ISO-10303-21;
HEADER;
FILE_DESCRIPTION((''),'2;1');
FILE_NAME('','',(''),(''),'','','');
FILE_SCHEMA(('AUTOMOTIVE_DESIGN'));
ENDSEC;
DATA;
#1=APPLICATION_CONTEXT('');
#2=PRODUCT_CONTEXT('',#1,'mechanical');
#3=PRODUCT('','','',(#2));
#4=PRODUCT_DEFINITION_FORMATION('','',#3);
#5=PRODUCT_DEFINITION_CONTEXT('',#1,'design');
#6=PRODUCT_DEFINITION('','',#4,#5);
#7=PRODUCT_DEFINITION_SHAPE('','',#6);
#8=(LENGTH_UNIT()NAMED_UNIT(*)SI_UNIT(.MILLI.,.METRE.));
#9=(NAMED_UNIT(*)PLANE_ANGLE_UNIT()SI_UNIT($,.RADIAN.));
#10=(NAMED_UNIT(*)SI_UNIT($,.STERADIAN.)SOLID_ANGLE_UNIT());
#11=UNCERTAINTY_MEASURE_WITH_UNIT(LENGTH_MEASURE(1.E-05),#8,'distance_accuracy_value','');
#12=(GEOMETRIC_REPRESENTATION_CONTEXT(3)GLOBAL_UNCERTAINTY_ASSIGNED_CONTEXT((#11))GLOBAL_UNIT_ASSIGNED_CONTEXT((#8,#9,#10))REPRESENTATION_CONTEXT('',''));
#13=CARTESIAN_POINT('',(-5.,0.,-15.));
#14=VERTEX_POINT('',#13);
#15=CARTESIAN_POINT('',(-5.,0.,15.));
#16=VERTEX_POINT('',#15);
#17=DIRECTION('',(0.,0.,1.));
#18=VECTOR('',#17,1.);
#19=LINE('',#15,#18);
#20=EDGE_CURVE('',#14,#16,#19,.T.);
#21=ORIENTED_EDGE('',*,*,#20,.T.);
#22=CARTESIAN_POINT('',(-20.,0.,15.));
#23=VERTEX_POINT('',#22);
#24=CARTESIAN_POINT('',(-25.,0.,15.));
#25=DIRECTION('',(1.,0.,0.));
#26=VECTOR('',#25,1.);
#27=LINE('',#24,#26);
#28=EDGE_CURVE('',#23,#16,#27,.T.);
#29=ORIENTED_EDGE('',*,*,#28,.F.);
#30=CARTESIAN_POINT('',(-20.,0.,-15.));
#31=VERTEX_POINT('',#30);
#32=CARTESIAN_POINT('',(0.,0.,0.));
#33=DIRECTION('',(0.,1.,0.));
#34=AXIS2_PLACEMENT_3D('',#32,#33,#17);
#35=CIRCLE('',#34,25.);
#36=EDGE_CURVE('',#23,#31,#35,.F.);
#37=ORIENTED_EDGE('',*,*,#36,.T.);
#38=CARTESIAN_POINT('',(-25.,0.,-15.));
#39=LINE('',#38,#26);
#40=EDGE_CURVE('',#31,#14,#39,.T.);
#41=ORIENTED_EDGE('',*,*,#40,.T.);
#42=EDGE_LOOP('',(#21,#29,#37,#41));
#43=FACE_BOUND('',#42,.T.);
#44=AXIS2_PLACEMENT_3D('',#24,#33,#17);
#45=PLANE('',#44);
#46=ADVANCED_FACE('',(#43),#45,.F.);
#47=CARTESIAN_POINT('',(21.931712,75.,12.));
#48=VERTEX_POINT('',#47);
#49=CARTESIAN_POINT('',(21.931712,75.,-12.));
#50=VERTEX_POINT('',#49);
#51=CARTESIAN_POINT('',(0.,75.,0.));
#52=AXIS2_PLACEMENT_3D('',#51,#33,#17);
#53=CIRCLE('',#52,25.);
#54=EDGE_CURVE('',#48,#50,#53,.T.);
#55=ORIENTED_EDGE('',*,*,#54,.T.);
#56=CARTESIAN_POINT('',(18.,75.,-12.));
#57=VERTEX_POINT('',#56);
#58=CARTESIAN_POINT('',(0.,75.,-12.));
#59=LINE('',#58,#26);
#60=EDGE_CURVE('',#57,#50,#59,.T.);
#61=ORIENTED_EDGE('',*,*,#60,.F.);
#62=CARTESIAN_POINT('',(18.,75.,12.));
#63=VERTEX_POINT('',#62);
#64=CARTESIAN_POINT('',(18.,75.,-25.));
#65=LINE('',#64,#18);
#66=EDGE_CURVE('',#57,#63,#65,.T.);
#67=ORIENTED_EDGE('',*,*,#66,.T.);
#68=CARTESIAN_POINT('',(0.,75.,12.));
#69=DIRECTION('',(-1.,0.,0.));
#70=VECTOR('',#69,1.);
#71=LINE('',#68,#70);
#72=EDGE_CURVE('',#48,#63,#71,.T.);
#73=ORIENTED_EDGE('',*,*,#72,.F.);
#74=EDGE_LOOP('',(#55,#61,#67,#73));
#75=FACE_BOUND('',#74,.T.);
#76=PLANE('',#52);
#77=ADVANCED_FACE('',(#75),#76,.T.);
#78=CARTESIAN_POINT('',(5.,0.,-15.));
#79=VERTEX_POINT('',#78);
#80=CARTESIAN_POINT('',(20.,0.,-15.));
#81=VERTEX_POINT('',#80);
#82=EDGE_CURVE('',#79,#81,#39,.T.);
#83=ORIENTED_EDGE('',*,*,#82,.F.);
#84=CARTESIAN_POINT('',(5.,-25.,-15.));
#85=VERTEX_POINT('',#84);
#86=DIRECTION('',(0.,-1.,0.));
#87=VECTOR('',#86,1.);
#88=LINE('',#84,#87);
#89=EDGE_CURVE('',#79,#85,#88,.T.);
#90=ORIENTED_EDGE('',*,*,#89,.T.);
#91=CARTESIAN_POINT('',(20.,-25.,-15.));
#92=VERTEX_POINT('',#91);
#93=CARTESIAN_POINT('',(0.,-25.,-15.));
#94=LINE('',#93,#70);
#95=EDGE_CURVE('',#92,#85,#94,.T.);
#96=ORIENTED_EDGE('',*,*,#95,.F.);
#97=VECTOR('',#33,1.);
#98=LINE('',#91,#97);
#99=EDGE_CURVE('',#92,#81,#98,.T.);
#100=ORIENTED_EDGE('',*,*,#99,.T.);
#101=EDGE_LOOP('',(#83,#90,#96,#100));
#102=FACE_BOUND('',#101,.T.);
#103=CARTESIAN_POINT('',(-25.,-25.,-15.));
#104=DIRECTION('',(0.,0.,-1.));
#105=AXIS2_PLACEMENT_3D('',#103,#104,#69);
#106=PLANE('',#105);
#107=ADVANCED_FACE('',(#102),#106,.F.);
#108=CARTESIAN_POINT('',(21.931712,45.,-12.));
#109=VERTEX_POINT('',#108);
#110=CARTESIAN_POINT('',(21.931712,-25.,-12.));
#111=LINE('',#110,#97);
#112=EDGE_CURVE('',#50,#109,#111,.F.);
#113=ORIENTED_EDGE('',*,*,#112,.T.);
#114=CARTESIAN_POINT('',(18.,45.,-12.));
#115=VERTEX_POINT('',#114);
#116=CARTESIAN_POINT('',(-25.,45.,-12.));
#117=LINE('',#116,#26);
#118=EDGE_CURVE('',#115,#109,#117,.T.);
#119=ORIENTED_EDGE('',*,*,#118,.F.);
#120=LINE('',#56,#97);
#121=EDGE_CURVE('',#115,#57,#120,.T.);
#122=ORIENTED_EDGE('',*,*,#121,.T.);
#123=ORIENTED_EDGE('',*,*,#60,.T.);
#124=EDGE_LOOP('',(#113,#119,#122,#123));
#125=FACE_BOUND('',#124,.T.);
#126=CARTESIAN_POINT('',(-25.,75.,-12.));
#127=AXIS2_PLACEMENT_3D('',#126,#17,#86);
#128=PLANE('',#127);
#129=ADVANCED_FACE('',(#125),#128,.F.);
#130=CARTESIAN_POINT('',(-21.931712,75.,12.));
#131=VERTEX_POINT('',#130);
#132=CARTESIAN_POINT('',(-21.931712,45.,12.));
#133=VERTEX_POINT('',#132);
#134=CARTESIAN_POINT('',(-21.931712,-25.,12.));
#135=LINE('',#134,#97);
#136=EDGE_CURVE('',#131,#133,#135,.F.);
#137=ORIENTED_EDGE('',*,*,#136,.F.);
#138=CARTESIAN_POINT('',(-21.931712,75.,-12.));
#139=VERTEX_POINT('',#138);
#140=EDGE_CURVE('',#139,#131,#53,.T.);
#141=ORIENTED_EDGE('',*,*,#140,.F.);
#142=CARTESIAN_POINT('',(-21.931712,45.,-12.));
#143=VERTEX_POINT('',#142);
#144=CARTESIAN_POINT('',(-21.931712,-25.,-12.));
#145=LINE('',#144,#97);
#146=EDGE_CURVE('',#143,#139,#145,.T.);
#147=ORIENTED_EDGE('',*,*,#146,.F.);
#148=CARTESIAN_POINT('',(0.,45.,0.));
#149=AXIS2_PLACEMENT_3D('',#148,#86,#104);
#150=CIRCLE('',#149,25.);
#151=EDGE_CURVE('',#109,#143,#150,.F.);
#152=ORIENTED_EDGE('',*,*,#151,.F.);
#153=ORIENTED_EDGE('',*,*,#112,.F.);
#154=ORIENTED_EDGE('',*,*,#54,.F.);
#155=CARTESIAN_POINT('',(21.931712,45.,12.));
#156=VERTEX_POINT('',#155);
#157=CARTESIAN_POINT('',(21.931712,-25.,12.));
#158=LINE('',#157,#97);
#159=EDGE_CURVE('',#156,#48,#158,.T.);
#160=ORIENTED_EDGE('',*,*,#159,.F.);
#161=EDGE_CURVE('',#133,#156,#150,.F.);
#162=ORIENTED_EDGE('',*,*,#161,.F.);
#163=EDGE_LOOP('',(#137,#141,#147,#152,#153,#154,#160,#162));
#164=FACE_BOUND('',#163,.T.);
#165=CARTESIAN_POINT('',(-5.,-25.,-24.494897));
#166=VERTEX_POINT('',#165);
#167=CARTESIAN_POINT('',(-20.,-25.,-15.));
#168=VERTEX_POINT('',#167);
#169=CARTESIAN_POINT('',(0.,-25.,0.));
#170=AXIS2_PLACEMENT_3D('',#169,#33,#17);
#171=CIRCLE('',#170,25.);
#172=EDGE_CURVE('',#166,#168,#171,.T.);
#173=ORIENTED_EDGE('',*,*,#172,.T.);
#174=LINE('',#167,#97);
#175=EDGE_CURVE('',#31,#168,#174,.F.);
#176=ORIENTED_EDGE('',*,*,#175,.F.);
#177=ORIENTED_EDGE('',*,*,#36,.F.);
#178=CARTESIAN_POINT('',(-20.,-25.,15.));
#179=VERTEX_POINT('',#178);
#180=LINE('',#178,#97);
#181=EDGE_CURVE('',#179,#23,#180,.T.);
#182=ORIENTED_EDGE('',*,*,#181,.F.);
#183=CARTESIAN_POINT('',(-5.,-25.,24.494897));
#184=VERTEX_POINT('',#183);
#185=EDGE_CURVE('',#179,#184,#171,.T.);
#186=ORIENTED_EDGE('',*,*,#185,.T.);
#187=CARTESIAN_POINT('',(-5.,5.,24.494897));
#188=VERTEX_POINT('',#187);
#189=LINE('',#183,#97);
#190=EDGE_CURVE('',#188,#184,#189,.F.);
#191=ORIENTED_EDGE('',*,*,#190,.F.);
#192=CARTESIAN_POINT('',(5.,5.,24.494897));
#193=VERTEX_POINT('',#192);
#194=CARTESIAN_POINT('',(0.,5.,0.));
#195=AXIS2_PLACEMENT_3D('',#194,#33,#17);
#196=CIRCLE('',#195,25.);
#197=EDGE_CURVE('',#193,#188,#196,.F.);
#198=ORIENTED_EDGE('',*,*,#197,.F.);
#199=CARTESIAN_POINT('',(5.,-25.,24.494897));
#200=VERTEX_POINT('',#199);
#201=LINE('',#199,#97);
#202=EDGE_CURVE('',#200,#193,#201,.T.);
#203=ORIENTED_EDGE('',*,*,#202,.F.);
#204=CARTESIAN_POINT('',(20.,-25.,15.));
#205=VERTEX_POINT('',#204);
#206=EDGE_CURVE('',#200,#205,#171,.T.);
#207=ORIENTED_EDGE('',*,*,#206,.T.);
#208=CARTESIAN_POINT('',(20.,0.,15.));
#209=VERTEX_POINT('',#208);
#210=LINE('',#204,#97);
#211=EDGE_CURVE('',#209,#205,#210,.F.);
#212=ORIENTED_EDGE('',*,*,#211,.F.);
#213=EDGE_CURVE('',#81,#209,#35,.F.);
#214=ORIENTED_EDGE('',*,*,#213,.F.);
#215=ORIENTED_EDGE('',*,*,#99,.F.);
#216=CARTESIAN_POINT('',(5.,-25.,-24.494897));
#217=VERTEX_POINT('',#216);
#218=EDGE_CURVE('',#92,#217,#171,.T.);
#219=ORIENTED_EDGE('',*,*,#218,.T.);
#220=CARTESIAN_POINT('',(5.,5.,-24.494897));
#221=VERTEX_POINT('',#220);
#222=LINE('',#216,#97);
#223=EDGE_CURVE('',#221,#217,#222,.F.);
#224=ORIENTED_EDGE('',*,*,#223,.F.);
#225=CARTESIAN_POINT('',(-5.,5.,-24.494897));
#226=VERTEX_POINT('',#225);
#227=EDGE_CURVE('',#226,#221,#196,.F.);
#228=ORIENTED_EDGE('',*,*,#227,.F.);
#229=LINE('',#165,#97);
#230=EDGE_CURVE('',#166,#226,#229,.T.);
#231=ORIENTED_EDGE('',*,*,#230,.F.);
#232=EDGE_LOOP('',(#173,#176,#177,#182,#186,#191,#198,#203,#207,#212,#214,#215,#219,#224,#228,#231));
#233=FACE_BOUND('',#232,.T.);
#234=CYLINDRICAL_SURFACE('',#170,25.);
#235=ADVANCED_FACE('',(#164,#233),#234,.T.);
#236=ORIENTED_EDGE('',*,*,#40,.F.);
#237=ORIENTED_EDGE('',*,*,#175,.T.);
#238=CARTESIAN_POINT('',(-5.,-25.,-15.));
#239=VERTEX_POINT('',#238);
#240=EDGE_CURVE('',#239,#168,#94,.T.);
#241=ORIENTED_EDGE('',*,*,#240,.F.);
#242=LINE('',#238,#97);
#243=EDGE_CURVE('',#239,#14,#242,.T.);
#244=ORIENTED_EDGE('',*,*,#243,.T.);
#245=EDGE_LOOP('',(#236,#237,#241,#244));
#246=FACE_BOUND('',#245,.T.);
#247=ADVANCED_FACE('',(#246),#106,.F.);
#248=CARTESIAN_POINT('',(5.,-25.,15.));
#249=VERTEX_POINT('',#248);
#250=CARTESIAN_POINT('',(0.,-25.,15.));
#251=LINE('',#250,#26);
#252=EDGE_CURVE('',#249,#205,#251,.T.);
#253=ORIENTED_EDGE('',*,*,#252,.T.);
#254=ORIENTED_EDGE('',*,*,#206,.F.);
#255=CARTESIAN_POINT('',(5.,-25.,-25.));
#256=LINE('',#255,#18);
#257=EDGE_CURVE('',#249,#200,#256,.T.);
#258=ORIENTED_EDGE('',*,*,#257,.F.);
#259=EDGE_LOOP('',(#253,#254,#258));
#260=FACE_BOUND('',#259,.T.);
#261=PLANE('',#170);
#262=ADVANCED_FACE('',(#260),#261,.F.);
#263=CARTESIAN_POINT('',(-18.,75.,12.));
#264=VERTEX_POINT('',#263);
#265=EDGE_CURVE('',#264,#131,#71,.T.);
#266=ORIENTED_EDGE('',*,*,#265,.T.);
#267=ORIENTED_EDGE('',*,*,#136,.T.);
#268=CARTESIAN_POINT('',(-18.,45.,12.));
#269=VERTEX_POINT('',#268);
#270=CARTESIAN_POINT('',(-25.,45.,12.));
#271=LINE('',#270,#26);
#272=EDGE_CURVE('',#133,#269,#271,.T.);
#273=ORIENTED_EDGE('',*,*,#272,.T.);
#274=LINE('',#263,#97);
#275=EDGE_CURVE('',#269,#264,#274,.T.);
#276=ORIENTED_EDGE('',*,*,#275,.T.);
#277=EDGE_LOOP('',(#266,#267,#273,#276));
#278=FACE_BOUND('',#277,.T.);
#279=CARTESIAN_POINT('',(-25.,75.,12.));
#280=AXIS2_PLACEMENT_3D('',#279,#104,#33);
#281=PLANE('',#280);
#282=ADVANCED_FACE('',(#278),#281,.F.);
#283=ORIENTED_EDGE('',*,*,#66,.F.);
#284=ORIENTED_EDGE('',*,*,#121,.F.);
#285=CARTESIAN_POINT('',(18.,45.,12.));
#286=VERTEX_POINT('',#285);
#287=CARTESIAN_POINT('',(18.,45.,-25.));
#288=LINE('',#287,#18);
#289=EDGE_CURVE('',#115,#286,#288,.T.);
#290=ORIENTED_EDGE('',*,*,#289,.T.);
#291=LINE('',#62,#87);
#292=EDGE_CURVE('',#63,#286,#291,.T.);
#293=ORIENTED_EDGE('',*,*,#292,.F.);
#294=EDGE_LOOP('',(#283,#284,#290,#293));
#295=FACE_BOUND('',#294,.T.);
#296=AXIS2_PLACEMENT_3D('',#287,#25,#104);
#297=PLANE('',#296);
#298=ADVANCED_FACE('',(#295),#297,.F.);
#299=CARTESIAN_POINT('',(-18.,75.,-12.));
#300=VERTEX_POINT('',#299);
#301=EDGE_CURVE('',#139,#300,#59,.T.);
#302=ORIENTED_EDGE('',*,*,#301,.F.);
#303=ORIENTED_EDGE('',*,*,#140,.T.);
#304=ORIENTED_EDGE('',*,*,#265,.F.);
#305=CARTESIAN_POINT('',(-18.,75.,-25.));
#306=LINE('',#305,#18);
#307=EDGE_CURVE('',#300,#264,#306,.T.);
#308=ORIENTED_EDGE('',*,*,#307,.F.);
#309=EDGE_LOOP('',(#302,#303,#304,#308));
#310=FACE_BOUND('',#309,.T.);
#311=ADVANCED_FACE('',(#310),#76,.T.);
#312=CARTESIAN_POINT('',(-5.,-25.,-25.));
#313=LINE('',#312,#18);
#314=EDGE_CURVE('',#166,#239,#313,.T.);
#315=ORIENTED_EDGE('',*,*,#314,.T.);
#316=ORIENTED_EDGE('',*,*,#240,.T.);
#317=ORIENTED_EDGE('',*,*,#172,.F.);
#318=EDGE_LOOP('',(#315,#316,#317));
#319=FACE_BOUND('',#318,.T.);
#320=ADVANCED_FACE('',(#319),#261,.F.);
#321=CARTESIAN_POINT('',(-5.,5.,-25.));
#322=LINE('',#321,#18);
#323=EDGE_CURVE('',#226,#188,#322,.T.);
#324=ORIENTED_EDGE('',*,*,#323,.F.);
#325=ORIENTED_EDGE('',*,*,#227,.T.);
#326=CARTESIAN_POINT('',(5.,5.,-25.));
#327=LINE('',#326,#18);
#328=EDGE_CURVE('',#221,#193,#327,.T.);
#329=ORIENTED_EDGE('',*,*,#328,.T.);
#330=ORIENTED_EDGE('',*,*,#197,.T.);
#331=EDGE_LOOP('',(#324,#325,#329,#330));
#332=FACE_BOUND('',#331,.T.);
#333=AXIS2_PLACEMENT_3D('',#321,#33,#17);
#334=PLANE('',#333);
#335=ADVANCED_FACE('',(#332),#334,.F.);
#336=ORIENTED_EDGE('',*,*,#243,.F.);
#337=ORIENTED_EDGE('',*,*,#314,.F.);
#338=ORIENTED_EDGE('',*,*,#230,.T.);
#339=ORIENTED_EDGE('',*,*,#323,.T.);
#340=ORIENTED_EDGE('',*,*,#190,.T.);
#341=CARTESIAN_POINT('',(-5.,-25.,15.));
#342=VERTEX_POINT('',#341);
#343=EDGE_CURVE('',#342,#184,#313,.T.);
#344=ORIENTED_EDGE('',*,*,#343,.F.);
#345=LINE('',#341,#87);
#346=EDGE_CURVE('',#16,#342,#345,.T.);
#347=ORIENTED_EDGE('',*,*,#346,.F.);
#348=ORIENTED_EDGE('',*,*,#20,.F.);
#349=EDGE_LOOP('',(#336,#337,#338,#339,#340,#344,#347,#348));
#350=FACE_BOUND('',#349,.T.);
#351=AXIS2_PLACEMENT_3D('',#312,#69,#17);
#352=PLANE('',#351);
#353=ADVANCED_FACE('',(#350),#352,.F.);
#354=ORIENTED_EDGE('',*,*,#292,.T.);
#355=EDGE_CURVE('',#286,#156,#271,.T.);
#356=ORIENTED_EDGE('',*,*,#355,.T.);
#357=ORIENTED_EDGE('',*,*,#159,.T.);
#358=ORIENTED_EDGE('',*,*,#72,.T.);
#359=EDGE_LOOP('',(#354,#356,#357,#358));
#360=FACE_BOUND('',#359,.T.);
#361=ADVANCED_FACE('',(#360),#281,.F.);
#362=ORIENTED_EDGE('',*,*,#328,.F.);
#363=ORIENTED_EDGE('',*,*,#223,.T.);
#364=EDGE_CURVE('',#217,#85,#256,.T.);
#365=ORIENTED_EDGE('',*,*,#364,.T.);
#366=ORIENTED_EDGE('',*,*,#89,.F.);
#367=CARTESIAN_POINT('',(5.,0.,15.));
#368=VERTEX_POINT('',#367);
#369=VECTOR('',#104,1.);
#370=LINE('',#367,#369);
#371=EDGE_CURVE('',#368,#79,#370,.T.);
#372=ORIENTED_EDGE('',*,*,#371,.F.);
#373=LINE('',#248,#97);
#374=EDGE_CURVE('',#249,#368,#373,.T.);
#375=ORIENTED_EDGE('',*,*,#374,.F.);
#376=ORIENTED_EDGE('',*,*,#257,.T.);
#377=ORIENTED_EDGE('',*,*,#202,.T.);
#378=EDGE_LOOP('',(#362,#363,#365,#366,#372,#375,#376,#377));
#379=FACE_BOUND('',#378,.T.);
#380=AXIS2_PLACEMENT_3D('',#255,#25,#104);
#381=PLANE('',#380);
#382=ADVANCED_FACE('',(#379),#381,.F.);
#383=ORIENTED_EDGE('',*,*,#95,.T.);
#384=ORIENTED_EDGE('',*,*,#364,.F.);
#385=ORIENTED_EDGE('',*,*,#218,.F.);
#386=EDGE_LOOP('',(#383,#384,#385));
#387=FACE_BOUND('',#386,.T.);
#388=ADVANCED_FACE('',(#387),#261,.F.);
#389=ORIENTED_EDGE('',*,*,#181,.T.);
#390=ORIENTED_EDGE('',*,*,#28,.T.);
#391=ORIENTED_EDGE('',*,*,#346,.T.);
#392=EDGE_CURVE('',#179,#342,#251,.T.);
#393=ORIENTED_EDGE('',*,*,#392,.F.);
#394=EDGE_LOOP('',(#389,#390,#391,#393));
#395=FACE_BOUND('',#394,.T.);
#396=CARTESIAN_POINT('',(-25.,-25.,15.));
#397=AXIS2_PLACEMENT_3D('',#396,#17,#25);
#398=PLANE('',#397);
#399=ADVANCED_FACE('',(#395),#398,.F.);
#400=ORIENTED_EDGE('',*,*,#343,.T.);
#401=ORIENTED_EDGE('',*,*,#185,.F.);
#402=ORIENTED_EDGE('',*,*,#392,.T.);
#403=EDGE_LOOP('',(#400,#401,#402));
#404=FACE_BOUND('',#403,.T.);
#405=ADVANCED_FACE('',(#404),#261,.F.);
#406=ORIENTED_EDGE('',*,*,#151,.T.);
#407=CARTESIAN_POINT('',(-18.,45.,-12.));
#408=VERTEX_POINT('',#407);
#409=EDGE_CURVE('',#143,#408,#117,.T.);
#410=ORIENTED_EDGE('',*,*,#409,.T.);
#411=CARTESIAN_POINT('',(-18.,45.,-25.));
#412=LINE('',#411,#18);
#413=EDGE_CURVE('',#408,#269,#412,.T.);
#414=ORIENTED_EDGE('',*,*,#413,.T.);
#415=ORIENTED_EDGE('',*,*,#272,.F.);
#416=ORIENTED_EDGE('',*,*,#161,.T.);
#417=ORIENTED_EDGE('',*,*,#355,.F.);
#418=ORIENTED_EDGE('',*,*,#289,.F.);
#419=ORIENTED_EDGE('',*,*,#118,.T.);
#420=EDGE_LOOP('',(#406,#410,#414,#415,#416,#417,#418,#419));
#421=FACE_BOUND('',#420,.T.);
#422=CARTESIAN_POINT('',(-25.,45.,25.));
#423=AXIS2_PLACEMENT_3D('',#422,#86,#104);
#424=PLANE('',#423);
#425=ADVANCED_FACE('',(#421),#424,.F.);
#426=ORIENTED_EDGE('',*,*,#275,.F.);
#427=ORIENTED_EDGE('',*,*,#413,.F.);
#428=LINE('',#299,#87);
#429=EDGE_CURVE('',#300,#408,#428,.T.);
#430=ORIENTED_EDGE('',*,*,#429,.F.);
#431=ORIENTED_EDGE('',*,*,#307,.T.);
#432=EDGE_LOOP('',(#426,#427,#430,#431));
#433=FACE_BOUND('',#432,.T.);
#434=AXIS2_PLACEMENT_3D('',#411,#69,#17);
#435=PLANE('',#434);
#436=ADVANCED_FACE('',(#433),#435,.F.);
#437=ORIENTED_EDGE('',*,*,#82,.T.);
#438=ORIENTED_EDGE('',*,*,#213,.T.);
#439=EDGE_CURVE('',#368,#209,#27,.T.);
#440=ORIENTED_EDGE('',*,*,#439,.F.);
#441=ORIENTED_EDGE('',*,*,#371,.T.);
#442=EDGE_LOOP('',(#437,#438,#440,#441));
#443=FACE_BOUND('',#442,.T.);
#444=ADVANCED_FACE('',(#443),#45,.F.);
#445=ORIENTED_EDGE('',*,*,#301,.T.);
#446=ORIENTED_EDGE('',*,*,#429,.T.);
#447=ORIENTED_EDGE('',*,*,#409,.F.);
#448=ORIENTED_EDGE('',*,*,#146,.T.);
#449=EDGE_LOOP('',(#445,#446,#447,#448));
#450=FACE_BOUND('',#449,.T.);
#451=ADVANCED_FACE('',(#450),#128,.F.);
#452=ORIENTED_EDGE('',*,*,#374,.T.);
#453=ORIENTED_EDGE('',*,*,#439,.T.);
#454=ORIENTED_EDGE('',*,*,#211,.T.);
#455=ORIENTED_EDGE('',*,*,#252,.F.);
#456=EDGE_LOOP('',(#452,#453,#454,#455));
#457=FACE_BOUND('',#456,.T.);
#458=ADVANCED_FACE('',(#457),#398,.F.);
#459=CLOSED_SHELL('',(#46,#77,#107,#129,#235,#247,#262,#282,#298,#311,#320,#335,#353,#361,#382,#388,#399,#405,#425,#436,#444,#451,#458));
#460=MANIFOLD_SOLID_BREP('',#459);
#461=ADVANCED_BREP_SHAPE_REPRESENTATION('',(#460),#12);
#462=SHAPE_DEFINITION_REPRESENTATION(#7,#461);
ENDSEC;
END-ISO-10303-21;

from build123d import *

# Parameters (mm, degrees)
SKETCH1_R               = 25
BOSS_EXTRUDE1_DEPTH     = 25
BOSS_EXTRUDE2_START     = 75
SKETCH1_2_R             = 25
BOSS_EXTRUDE2_DEPTH     = 75
CUT_EXTRUDE1_DEPTH      = 83.915619759
CUT_EXTRUDE1_DEPTH_BACK = 83.915619759
SKETCH2_W               = 25
SKETCH2_H               = 30
CUT_EXTRUDE2_DEPTH      = 83.915619759
CUT_EXTRUDE2_DEPTH_BACK = 83.915619759
SKETCH5_W               = 30
SKETCH5_H               = 13
CUT_EXTRUDE3_DEPTH      = 83.915619759
CUT_EXTRUDE3_DEPTH_BACK = 83.915619759
SKETCH6_W               = 30
SKETCH6_H               = 10
CUT_EXTRUDE4_DEPTH      = 83.915619759
CUT_EXTRUDE4_DEPTH_BACK = 83.915619759
SKETCH8_W               = 30
SKETCH8_H               = 36


with BuildPart() as part:
    # Sketch1 → Boss-Extrude1 (new body)
    with BuildSketch(Plane(origin=(0, 0, 0), x_dir=(-1, 0, 0), z_dir=(0, 1, 0))):
        Circle(SKETCH1_R)
    extrude(amount=-BOSS_EXTRUDE1_DEPTH)

    # Sketch1<2> → Boss-Extrude2 (add)
    with BuildSketch(Plane(origin=(0, 0, 0), x_dir=(-1, 0, 0), z_dir=(0, 1, 0)).offset(BOSS_EXTRUDE2_START)):
        Circle(SKETCH1_2_R)
    extrude(amount=-BOSS_EXTRUDE2_DEPTH)

    # Sketch2 → Cut-Extrude1 (cut, two sides: drawn at the far end of the back side and taken through both)
    with BuildSketch(Plane.YZ.offset(-CUT_EXTRUDE1_DEPTH_BACK)):
        with Locations((-12.5, 0)):
            Rectangle(SKETCH2_W, SKETCH2_H)
    extrude(amount=CUT_EXTRUDE1_DEPTH + CUT_EXTRUDE1_DEPTH_BACK, mode=Mode.SUBTRACT)

    # Sketch5 → Cut-Extrude2 (cut, two sides: drawn at the far end of the back side and taken through both)
    with BuildSketch(Plane.YZ.offset(-CUT_EXTRUDE2_DEPTH_BACK)):
        with Locations((60, 18.5)):
            Rectangle(SKETCH5_W, SKETCH5_H)
        with Locations((60, -18.5)):
            Rectangle(SKETCH5_W, SKETCH5_H)
    extrude(amount=CUT_EXTRUDE2_DEPTH + CUT_EXTRUDE2_DEPTH_BACK, mode=Mode.SUBTRACT)

    # Sketch6 → Cut-Extrude3 (cut, two sides: drawn at the far end of the back side and taken through both)
    with BuildSketch(Plane(origin=(0, 0, 0), x_dir=(0, 1, 0), z_dir=(0, 0, 1)).offset(-CUT_EXTRUDE3_DEPTH_BACK)):
        with Locations((-10, 0)):
            Rectangle(SKETCH6_W, SKETCH6_H)
    extrude(amount=CUT_EXTRUDE3_DEPTH + CUT_EXTRUDE3_DEPTH_BACK, mode=Mode.SUBTRACT)

    # Sketch8 → Cut-Extrude4 (cut, two sides: drawn at the far end of the back side and taken through both)
    with BuildSketch(Plane(origin=(0, 0, 0), x_dir=(0, 1, 0), z_dir=(0, 0, 1)).offset(-CUT_EXTRUDE4_DEPTH_BACK)):
        with Locations((60, 0)):
            Rectangle(SKETCH8_W, SKETCH8_H)
    extrude(amount=CUT_EXTRUDE4_DEPTH + CUT_EXTRUDE4_DEPTH_BACK, mode=Mode.SUBTRACT)


solid = part.part
